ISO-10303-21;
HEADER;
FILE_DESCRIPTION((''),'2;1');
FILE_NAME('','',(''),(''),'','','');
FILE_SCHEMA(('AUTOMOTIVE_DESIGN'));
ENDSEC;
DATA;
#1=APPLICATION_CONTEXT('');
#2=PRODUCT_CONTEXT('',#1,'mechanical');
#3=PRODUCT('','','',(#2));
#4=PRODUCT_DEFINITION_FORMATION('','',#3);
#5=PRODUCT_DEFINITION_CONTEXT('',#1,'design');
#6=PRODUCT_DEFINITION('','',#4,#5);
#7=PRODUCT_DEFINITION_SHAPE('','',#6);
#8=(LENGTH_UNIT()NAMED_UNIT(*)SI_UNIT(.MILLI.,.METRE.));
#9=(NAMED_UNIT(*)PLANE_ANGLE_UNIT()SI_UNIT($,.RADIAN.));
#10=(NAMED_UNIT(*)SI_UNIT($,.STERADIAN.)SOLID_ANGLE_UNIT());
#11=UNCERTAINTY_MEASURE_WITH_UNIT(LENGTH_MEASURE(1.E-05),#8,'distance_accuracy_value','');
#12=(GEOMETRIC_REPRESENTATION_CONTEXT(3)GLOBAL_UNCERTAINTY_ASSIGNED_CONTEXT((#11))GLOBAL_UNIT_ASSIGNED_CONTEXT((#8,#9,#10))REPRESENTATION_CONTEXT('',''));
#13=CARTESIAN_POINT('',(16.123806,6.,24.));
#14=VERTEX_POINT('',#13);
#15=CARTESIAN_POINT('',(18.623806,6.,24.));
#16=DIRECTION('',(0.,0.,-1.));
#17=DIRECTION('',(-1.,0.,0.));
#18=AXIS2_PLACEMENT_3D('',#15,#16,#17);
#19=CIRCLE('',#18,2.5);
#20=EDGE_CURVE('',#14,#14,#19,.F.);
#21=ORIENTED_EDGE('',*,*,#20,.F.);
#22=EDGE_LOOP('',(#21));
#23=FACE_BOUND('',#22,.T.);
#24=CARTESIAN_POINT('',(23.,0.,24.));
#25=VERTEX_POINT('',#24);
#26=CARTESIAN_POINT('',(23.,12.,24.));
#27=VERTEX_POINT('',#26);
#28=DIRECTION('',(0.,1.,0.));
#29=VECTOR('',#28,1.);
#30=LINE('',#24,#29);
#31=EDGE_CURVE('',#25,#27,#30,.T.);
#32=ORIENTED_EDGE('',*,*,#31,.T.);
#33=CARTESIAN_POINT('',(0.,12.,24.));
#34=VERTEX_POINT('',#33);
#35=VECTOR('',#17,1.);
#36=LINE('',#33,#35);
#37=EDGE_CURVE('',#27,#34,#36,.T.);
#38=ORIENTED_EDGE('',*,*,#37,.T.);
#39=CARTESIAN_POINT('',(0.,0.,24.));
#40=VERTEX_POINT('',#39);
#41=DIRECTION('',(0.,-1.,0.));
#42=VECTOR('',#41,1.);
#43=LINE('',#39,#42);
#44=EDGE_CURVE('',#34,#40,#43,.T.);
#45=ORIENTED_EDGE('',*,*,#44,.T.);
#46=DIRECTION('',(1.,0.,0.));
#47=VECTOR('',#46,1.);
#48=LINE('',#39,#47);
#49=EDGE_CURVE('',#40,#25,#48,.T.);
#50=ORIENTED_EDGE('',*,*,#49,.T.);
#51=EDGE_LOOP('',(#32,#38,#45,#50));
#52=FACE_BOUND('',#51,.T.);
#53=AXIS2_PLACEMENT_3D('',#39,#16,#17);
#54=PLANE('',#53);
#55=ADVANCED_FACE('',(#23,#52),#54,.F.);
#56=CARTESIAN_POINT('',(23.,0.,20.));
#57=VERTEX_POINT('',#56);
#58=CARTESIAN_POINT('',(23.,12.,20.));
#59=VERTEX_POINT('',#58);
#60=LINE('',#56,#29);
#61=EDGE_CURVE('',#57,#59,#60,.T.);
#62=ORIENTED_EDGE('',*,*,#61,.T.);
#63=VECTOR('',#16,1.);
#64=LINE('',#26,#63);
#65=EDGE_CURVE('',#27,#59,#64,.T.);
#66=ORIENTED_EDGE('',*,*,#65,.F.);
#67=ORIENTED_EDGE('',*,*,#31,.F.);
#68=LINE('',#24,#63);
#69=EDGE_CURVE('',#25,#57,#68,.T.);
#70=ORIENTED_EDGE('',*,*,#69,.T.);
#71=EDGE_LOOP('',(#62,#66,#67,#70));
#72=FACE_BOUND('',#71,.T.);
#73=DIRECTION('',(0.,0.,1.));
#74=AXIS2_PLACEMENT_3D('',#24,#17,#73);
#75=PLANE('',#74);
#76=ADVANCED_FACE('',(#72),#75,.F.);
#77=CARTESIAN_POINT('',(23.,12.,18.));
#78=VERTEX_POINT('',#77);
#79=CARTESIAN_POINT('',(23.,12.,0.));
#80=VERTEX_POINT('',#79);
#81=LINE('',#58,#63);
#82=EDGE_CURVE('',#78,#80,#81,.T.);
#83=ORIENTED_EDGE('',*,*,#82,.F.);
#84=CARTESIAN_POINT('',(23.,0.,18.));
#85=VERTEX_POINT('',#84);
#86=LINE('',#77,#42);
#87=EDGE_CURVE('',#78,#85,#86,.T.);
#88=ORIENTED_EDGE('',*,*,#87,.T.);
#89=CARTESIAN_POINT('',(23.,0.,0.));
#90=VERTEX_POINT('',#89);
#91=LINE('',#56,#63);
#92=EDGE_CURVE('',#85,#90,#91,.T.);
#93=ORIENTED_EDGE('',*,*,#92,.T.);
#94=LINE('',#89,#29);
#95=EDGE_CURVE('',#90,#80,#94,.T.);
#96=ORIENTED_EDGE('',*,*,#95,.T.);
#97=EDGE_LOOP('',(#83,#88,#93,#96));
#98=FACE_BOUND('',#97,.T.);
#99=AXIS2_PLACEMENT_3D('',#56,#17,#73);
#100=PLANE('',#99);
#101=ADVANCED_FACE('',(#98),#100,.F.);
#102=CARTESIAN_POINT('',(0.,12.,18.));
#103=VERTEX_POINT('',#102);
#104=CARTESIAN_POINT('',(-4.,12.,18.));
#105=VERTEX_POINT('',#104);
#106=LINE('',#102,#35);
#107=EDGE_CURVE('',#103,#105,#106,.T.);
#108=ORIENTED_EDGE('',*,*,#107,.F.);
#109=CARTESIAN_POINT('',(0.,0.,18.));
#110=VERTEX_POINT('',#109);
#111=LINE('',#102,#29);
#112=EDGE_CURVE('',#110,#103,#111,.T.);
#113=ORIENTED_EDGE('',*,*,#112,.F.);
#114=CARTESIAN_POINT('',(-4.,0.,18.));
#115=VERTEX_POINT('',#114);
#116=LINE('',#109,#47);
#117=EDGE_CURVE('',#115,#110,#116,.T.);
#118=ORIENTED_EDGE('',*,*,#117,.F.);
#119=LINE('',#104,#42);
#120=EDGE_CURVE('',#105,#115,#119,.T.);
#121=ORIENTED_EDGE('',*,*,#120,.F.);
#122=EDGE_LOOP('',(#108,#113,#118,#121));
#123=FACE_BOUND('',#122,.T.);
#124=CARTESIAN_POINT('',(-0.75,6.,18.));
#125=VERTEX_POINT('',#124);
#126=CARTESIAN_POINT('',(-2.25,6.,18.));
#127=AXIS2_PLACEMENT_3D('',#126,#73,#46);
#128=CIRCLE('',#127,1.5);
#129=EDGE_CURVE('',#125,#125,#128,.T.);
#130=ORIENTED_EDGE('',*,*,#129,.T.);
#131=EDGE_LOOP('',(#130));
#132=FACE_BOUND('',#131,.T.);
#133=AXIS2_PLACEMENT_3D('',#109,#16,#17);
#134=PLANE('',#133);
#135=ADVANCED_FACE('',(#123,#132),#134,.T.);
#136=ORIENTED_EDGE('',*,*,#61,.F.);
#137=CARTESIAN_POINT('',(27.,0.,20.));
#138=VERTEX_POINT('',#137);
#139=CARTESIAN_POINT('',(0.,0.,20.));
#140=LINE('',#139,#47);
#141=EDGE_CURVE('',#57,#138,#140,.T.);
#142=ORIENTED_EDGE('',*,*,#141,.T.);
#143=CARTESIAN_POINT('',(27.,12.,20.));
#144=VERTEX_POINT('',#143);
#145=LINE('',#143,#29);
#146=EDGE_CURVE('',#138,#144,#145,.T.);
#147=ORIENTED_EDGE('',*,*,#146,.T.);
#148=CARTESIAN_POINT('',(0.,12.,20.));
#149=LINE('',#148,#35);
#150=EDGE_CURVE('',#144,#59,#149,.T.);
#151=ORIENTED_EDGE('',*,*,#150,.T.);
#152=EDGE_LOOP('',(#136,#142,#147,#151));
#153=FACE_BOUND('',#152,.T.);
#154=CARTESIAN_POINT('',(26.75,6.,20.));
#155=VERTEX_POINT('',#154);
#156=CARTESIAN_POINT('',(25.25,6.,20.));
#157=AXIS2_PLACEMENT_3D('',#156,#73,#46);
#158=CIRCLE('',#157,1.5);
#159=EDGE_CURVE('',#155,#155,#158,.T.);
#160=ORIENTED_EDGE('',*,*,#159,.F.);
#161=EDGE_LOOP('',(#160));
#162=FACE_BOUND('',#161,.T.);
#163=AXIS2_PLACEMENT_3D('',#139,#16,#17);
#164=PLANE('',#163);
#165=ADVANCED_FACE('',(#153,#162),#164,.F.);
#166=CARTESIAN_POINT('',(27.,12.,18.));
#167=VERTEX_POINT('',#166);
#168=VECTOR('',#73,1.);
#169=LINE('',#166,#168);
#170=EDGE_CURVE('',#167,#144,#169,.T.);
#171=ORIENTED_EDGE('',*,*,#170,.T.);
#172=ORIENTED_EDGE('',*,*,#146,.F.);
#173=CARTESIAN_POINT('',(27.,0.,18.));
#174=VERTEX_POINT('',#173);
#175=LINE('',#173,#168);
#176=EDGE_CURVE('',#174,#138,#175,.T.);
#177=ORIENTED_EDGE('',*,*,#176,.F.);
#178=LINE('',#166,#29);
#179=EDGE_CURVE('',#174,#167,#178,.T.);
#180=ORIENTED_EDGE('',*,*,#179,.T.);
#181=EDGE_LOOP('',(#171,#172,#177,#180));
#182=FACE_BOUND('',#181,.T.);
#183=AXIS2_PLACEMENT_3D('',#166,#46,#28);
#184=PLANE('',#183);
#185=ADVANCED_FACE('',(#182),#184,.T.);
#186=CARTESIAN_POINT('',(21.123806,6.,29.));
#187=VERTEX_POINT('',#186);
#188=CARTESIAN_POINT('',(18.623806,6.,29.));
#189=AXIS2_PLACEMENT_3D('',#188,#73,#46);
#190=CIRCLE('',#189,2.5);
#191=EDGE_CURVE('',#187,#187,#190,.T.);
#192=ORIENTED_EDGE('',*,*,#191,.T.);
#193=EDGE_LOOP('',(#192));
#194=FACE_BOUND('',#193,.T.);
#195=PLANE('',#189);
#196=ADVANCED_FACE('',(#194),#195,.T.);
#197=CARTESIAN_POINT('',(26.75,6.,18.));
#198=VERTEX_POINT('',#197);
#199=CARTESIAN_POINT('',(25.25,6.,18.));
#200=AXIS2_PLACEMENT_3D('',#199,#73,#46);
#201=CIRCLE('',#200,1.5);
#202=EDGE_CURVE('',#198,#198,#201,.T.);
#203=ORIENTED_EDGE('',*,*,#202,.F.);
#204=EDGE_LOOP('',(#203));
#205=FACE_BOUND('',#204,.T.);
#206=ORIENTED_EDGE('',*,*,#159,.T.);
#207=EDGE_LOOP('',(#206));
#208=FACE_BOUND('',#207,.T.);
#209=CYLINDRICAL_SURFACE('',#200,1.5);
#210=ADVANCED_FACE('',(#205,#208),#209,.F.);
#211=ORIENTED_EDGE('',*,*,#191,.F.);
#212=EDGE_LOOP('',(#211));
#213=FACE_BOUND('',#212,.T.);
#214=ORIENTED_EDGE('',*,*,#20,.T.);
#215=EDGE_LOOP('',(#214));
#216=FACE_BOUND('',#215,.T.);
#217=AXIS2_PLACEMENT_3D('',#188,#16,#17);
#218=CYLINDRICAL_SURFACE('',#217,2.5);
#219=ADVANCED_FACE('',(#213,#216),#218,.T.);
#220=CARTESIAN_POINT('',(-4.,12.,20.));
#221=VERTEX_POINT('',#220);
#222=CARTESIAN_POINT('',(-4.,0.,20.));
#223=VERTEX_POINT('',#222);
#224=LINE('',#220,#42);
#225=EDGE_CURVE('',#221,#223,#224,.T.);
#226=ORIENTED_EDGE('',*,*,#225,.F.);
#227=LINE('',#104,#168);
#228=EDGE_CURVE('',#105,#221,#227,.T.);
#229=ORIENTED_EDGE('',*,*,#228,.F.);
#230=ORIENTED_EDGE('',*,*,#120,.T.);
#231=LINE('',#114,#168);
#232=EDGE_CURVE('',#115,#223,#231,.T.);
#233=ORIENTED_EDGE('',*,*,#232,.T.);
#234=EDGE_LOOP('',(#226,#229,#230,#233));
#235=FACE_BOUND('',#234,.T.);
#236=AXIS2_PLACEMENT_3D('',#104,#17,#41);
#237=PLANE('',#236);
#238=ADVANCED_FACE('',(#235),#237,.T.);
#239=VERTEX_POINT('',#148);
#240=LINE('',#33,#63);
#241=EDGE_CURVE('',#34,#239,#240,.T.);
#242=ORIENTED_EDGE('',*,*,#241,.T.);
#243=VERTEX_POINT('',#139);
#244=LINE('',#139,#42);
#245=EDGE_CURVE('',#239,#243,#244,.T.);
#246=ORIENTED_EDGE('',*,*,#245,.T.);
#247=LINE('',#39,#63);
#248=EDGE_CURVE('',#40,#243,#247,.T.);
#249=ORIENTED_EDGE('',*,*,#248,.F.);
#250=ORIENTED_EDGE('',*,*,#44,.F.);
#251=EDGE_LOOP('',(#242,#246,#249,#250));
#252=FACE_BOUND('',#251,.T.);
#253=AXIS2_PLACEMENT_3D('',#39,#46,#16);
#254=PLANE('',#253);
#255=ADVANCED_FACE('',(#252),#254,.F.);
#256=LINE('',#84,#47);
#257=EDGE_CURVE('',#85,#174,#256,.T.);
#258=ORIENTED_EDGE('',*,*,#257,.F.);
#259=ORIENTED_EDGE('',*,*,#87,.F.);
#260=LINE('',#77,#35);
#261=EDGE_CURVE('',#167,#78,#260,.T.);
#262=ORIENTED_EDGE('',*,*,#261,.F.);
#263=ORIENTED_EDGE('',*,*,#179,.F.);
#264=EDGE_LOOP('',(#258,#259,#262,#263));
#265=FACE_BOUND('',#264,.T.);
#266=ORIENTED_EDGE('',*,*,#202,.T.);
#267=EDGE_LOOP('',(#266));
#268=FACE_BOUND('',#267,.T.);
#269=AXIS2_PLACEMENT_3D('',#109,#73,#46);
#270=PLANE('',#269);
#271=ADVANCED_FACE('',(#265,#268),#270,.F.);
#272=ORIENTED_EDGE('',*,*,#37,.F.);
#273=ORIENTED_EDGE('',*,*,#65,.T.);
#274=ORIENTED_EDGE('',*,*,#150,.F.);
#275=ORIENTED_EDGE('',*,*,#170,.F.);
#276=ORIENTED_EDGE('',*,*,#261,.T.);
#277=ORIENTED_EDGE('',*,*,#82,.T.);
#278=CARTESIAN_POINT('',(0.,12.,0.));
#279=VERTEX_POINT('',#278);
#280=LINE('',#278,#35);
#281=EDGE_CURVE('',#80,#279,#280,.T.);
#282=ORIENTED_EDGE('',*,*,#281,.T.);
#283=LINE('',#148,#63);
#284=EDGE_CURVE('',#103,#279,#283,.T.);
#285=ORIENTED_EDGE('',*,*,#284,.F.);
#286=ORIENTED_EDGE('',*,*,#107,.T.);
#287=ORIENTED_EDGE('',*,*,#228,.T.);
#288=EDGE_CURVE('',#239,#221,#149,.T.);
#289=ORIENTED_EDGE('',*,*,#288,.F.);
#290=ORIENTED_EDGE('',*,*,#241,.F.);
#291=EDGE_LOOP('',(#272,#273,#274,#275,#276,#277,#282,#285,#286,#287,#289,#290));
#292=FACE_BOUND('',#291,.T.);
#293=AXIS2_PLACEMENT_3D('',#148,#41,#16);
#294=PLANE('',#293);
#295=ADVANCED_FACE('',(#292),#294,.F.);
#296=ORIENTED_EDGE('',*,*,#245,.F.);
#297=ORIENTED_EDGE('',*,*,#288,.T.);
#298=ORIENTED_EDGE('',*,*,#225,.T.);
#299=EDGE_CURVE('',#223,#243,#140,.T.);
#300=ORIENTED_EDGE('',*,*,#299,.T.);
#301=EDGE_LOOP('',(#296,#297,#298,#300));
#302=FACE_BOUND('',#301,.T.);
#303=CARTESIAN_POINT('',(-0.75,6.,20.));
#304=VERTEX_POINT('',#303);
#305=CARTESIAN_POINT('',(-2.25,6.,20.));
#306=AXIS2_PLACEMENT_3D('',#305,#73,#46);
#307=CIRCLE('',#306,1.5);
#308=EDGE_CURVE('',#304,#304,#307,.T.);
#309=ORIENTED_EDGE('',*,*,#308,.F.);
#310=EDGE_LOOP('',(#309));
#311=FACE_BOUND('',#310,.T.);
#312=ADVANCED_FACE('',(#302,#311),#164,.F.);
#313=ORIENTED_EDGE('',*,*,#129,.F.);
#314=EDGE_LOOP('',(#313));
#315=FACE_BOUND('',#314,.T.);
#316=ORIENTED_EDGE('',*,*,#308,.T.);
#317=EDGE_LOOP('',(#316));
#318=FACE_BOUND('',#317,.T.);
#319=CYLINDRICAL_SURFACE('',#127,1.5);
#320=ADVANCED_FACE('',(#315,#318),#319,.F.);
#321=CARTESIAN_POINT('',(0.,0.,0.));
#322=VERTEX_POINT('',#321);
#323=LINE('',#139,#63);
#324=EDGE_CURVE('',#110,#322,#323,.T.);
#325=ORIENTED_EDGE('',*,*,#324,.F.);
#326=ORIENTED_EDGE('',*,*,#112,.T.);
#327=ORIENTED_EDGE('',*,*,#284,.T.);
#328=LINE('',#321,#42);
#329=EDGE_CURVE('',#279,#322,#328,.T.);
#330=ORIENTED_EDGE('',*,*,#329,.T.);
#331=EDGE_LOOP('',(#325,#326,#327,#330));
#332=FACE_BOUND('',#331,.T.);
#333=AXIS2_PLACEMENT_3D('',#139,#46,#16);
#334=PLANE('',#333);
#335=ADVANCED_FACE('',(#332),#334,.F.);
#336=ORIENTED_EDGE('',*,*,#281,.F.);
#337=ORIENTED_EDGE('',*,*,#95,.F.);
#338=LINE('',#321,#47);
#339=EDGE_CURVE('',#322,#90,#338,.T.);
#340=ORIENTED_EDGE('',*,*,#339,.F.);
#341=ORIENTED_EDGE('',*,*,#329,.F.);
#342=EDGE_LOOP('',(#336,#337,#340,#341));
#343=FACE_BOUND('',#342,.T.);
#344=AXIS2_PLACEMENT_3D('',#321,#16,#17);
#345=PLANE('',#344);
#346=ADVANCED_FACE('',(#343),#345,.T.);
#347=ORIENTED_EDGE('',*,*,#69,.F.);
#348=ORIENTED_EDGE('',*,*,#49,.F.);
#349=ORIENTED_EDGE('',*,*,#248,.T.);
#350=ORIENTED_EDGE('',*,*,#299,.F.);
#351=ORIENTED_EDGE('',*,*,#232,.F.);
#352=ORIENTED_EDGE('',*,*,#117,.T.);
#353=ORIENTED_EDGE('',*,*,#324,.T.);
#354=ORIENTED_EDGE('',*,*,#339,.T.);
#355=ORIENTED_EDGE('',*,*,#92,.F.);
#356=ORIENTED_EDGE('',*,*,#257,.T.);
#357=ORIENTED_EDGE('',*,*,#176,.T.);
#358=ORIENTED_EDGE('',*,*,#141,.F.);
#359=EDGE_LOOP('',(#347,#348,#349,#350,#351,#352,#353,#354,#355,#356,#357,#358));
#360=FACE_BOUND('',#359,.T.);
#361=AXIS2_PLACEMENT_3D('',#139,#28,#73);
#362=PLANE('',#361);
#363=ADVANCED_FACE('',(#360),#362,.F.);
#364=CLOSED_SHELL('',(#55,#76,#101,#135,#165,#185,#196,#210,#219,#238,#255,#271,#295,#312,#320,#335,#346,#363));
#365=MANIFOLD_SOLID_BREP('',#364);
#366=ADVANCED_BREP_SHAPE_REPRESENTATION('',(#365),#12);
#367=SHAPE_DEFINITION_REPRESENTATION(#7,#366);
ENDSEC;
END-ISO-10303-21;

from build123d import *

# Parameters (mm, degrees)
SKETCH_1_W      = 23
SKETCH_1_H      = 12
EXTRUDE_1_DEPTH = 20
SKETCH_2_W      = 4
SKETCH_2_H      = 12
SKETCH_2_R      = 1.5
EXTRUDE_2_DEPTH = 2
SKETCH_3_W      = 23
SKETCH_3_H      = 12
EXTRUDE_3_DEPTH = 4
SKETCH_4_R      = 2.5
EXTRUDE_4_DEPTH = 5


with BuildPart() as part:
    # 草图1 → 凸台-拉伸1 (new body)
    with BuildSketch(Plane.XY):
        with Locations((11.5, 6)):
            Rectangle(SKETCH_1_W, SKETCH_1_H)
    extrude(amount=EXTRUDE_1_DEPTH)

    # 草图2 → 凸台-拉伸2 (add)
    # profile 1 of 2: a face of its own
    with BuildSketch(Plane.XY.offset(20)):
        with Locations((-2, 6)):
            Rectangle(SKETCH_2_W, SKETCH_2_H)
        with Locations((-2.25, 6)):
            Circle(SKETCH_2_R, mode=Mode.SUBTRACT)
    # profile 2 of 2: a face of its own
    with BuildSketch(Plane.XY.offset(20)):
        with Locations((25, 6)):
            Rectangle(SKETCH_2_W, SKETCH_2_H)
        with Locations((25.25, 6)):
            Circle(SKETCH_2_R, mode=Mode.SUBTRACT)
    extrude(amount=-EXTRUDE_2_DEPTH)

    # 草图3 → 凸台-拉伸3 (add)
    with BuildSketch(Plane.XY.offset(20)):
        with Locations((11.5, 6)):
            Rectangle(SKETCH_3_W, SKETCH_3_H)
    extrude(amount=EXTRUDE_3_DEPTH)

    # 草图4 → 凸台-拉伸4 (add)
    with BuildSketch(Plane.XY.offset(24)):
        with Locations(Location((18.623805867, 6, 0), (0, 0, 180))):
            Circle(SKETCH_4_R)
    extrude(amount=EXTRUDE_4_DEPTH)


solid = part.part
